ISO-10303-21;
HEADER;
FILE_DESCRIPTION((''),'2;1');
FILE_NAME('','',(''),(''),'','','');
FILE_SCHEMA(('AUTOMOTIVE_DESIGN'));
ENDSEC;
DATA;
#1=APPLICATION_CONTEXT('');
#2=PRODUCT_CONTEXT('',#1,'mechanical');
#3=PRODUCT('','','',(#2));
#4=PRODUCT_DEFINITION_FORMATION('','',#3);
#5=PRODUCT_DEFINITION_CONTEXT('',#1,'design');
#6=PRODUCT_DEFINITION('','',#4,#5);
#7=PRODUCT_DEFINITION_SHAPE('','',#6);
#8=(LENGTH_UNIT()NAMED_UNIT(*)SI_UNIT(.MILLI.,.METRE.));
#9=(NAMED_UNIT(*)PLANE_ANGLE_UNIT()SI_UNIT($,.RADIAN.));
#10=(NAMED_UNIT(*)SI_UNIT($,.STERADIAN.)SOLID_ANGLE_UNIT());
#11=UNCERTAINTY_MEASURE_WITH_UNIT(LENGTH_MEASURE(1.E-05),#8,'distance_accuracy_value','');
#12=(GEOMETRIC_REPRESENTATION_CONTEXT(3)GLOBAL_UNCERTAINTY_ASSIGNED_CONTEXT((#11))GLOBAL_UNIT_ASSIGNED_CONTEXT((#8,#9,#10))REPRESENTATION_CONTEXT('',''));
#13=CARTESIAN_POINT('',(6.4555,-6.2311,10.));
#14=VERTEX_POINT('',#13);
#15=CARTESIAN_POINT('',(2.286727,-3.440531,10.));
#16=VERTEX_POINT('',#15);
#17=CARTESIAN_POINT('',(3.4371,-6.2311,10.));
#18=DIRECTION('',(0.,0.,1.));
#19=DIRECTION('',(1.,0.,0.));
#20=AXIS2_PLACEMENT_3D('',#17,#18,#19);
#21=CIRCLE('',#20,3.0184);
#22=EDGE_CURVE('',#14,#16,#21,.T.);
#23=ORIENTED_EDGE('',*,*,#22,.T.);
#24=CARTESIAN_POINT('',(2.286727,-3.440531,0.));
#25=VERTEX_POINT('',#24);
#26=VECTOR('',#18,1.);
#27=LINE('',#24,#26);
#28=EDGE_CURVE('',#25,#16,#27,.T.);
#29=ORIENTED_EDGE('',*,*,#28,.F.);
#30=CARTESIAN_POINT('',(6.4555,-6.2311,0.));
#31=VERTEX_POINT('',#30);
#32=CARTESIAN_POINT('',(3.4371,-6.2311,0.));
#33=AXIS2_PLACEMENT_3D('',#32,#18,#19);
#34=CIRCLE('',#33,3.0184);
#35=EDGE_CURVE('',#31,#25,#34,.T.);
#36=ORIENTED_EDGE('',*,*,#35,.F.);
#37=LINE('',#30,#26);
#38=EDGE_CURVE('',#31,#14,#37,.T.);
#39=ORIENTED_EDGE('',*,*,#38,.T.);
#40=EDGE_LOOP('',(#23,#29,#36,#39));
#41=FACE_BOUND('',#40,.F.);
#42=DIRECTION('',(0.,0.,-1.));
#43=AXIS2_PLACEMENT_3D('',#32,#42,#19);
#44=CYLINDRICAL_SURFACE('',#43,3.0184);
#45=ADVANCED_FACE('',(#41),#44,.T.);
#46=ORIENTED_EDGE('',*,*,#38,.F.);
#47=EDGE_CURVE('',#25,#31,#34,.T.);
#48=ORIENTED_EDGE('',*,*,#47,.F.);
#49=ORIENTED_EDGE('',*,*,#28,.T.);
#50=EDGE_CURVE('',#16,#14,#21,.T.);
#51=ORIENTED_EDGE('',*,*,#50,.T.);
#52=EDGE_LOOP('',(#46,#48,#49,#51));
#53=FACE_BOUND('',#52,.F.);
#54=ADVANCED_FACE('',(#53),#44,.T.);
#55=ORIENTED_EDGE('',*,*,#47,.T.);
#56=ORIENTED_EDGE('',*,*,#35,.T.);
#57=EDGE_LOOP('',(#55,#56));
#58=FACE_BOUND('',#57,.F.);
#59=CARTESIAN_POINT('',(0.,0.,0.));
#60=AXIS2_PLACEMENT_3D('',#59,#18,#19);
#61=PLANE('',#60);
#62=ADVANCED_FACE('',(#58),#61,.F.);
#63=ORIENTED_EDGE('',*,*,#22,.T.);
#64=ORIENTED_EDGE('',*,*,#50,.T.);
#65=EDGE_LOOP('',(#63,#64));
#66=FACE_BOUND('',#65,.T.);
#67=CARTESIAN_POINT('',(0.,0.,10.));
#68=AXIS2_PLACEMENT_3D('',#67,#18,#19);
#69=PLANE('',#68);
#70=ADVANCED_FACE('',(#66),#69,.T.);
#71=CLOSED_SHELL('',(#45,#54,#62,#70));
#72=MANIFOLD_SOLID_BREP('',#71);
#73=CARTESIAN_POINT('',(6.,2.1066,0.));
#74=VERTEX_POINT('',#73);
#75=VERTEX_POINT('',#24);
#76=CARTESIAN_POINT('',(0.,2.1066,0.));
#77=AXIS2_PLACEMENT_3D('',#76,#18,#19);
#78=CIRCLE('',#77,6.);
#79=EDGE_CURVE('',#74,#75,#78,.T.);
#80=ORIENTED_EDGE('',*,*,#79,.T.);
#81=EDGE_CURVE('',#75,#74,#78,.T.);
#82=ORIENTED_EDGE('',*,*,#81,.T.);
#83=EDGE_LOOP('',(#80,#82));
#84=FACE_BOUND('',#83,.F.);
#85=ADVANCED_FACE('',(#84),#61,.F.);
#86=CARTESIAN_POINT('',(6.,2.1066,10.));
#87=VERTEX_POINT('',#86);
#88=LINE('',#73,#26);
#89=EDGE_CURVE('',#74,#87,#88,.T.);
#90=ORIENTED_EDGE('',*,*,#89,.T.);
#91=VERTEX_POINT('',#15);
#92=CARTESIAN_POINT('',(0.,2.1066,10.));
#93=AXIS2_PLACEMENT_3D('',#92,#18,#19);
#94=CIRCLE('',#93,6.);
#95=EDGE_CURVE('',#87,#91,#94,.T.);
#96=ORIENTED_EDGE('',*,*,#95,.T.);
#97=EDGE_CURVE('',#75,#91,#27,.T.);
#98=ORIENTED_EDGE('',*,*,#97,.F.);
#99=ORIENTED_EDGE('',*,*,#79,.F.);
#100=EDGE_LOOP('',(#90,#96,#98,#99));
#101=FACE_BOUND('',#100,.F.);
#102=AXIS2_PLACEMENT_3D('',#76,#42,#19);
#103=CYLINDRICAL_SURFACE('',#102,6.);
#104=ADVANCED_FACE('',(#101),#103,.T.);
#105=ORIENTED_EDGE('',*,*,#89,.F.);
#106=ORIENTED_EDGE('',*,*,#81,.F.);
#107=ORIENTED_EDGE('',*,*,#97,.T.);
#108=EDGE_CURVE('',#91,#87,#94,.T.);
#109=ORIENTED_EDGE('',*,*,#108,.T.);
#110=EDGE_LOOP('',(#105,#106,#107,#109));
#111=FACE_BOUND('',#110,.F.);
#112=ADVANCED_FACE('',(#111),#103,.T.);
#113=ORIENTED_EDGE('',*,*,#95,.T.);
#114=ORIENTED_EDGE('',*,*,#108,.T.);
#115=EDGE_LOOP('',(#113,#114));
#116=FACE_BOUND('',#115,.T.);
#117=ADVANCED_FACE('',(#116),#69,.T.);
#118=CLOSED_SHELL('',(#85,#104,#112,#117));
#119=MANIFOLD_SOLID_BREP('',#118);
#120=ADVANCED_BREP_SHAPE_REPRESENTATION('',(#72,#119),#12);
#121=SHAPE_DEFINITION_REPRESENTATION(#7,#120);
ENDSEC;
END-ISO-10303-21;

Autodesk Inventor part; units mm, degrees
ref_plane "YZ Plane" through (0, 0, 0) normal (1, 0, 0) x (0, 1, 0)
ref_plane "XZ Plane" through (0, 0, 0) normal (0, 1, 0) x (-1, 0, 0)
ref_plane "XY Plane" through (0, 0, 0) normal (0, 0, 1) x (1, 0, 0)
sketch "Sketch1" plane through (0, 0, 0) normal (0, 0, 1) x (1, 0, 0)
  circle A0 centre (0, 2.1066) radius 6
  circle A1 centre (3.4371, -6.2311) radius 3.0184
  point P0 (0, 0)
  point P1 (2.2867, -3.4405)
  dimension "d0" = 12
extrude "Extrusion1" add sketch "Sketch1" along normal blind 10
properties part number "H Gear"
